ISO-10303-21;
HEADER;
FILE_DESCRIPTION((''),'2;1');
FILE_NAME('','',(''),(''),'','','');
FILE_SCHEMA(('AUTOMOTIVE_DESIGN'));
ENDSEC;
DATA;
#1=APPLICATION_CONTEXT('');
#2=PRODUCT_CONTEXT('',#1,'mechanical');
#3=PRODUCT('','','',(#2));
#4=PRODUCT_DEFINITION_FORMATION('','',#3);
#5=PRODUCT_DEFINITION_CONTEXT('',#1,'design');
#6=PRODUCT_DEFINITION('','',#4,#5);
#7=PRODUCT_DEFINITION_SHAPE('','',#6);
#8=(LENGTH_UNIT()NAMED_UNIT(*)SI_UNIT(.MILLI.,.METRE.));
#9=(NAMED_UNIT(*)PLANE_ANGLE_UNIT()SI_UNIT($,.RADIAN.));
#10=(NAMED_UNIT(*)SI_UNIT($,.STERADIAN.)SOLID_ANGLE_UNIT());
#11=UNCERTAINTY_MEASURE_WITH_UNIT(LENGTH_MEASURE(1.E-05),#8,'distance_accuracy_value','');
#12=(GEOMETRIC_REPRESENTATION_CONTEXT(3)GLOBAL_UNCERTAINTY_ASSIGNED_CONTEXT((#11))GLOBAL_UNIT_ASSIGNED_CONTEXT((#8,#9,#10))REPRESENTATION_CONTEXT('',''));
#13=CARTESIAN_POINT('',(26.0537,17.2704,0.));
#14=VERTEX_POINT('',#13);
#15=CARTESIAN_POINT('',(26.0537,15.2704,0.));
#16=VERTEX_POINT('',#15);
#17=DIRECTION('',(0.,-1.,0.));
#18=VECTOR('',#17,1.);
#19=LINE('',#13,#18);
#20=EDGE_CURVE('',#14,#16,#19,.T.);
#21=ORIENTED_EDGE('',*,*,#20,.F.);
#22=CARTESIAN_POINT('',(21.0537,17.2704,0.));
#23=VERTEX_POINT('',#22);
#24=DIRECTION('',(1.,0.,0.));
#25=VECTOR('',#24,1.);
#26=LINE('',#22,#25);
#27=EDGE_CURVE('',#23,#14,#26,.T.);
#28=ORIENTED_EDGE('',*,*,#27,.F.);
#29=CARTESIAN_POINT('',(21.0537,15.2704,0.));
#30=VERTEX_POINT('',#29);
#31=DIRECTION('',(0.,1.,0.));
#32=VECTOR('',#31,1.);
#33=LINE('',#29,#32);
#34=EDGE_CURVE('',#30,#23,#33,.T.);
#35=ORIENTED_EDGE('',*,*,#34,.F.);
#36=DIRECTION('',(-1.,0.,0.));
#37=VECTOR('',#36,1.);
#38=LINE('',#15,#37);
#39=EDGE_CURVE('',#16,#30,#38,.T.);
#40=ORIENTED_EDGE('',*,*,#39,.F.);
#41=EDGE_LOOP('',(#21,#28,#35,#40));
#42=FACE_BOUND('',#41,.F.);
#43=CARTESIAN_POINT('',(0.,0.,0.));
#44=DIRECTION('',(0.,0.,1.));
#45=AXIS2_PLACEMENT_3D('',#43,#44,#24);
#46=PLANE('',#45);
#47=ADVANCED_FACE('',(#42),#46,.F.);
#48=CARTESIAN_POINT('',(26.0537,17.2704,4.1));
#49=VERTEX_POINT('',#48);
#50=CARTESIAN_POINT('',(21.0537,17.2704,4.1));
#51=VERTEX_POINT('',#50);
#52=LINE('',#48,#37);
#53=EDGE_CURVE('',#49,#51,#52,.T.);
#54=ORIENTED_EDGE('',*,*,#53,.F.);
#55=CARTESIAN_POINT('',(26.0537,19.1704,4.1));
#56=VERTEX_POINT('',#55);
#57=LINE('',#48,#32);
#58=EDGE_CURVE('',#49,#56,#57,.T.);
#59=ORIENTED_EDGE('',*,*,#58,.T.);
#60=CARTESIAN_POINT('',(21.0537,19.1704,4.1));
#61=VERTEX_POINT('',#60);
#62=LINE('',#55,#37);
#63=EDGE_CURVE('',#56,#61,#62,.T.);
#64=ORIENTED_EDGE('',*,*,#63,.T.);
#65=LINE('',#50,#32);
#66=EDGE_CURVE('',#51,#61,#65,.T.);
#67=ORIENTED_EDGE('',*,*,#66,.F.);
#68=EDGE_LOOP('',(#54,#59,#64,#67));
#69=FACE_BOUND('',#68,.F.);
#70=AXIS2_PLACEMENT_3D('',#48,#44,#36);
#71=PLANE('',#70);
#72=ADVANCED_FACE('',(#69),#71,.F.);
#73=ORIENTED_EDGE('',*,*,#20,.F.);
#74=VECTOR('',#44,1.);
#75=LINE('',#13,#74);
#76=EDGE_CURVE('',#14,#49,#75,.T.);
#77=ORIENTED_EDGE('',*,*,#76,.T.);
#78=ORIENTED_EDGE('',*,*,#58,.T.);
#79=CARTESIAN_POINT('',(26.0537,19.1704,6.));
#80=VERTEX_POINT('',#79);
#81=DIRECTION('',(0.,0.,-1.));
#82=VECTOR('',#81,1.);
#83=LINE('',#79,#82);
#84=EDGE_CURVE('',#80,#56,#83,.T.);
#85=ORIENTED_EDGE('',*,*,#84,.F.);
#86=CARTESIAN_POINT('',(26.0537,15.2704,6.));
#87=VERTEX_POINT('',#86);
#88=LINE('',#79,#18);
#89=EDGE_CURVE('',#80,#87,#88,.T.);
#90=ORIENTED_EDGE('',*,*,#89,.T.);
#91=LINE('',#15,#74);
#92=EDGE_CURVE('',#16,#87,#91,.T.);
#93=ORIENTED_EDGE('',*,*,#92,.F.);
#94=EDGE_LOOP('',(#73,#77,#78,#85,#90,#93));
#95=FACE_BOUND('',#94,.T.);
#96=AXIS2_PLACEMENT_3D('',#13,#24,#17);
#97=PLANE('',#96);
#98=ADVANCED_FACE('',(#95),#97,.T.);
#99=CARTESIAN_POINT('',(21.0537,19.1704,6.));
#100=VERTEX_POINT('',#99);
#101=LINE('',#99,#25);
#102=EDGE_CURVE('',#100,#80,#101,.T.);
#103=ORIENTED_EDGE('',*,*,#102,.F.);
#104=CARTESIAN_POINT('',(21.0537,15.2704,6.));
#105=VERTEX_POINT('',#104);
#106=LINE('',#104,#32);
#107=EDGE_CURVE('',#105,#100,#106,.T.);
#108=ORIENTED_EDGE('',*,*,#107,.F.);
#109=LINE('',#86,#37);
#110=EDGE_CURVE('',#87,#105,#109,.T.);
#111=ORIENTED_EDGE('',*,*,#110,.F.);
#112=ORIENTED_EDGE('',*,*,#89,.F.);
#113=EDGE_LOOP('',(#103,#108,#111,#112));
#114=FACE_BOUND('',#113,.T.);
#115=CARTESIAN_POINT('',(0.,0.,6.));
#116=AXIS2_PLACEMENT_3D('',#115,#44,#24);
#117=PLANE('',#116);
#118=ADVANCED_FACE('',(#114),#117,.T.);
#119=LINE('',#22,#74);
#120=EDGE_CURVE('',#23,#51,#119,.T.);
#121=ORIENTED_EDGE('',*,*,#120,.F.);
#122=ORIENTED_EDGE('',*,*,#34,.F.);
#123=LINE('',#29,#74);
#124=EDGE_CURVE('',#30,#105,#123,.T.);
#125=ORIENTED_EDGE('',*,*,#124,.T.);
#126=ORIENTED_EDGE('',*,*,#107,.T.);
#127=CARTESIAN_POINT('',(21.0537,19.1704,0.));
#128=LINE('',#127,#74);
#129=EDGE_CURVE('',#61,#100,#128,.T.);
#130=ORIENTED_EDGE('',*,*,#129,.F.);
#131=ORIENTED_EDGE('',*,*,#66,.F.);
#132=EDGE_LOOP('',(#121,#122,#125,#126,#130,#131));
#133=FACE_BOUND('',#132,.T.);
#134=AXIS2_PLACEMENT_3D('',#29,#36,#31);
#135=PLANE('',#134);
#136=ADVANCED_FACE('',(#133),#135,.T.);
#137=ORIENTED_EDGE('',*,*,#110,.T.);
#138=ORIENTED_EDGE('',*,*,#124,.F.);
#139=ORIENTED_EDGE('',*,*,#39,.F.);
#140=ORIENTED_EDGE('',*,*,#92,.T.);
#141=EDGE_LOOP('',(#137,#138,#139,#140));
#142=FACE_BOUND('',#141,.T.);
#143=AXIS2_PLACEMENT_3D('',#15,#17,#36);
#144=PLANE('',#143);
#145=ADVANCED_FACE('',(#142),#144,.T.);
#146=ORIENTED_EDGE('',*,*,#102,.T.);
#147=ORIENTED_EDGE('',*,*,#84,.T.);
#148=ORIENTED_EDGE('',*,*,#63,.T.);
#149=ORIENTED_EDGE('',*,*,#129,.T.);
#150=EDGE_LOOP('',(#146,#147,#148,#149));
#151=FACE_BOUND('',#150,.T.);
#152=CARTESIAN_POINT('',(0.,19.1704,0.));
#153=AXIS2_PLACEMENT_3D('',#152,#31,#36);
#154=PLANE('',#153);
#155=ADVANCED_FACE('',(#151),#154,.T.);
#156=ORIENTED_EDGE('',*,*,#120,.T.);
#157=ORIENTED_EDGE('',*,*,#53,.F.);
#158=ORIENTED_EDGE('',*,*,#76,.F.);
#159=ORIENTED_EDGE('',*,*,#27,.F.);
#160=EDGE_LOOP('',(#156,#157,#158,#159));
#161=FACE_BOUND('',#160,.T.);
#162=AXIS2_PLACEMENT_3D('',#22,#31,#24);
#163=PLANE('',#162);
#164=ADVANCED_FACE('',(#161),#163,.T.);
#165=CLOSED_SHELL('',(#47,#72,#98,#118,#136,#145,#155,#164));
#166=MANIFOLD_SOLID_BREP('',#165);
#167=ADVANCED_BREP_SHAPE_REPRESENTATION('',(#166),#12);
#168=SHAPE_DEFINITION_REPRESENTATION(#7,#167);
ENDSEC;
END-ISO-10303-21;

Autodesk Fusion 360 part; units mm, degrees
sketch "Esquisse1" plane through (0, 0, 0) normal (0, 0, 1) x (1, 0, 0)
  line L0 (21.0537, 17.2704) -> (26.0537, 17.2704)
  line L1 (26.0537, 17.2704) -> (26.0537, 15.2704)
  line L2 (26.0537, 15.2704) -> (21.0537, 15.2704)
  line L3 (21.0537, 15.2704) -> (21.0537, 17.2704)
  dimension "d1" = 5
  dimension "d2" = 2
extrude "Extrusion1" add sketch "Esquisse1" along normal blind 6
sketch "Esquisse2" plane through (0, 17.2704, 0) normal (0, 1, 0) x (-1, 0, 0)
  line L0 (-26.0537, 0) -> (-21.0537, 0)
  line L1 (-21.0537, 0) -> (-21.0537, 6)
  line L2 (-21.0537, 6) -> (-26.0537, 6)
  line L3 (-26.0537, 6) -> (-26.0537, 0)
  line L4 (-21.0537, 6) -> (-26.0537, 6)
  line L5 (-26.0537, 6) -> (-26.0537, 4.1)
  line L6 (-26.0537, 4.1) -> (-21.0537, 4.1)
  line L7 (-21.0537, 4.1) -> (-21.0537, 6)
  dimension "d5" = 1.9
extrude "Extrusion2" add sketch "Esquisse2" along normal blind 1.9 contours L1 L2 L3 L4 L5 L6 L7
